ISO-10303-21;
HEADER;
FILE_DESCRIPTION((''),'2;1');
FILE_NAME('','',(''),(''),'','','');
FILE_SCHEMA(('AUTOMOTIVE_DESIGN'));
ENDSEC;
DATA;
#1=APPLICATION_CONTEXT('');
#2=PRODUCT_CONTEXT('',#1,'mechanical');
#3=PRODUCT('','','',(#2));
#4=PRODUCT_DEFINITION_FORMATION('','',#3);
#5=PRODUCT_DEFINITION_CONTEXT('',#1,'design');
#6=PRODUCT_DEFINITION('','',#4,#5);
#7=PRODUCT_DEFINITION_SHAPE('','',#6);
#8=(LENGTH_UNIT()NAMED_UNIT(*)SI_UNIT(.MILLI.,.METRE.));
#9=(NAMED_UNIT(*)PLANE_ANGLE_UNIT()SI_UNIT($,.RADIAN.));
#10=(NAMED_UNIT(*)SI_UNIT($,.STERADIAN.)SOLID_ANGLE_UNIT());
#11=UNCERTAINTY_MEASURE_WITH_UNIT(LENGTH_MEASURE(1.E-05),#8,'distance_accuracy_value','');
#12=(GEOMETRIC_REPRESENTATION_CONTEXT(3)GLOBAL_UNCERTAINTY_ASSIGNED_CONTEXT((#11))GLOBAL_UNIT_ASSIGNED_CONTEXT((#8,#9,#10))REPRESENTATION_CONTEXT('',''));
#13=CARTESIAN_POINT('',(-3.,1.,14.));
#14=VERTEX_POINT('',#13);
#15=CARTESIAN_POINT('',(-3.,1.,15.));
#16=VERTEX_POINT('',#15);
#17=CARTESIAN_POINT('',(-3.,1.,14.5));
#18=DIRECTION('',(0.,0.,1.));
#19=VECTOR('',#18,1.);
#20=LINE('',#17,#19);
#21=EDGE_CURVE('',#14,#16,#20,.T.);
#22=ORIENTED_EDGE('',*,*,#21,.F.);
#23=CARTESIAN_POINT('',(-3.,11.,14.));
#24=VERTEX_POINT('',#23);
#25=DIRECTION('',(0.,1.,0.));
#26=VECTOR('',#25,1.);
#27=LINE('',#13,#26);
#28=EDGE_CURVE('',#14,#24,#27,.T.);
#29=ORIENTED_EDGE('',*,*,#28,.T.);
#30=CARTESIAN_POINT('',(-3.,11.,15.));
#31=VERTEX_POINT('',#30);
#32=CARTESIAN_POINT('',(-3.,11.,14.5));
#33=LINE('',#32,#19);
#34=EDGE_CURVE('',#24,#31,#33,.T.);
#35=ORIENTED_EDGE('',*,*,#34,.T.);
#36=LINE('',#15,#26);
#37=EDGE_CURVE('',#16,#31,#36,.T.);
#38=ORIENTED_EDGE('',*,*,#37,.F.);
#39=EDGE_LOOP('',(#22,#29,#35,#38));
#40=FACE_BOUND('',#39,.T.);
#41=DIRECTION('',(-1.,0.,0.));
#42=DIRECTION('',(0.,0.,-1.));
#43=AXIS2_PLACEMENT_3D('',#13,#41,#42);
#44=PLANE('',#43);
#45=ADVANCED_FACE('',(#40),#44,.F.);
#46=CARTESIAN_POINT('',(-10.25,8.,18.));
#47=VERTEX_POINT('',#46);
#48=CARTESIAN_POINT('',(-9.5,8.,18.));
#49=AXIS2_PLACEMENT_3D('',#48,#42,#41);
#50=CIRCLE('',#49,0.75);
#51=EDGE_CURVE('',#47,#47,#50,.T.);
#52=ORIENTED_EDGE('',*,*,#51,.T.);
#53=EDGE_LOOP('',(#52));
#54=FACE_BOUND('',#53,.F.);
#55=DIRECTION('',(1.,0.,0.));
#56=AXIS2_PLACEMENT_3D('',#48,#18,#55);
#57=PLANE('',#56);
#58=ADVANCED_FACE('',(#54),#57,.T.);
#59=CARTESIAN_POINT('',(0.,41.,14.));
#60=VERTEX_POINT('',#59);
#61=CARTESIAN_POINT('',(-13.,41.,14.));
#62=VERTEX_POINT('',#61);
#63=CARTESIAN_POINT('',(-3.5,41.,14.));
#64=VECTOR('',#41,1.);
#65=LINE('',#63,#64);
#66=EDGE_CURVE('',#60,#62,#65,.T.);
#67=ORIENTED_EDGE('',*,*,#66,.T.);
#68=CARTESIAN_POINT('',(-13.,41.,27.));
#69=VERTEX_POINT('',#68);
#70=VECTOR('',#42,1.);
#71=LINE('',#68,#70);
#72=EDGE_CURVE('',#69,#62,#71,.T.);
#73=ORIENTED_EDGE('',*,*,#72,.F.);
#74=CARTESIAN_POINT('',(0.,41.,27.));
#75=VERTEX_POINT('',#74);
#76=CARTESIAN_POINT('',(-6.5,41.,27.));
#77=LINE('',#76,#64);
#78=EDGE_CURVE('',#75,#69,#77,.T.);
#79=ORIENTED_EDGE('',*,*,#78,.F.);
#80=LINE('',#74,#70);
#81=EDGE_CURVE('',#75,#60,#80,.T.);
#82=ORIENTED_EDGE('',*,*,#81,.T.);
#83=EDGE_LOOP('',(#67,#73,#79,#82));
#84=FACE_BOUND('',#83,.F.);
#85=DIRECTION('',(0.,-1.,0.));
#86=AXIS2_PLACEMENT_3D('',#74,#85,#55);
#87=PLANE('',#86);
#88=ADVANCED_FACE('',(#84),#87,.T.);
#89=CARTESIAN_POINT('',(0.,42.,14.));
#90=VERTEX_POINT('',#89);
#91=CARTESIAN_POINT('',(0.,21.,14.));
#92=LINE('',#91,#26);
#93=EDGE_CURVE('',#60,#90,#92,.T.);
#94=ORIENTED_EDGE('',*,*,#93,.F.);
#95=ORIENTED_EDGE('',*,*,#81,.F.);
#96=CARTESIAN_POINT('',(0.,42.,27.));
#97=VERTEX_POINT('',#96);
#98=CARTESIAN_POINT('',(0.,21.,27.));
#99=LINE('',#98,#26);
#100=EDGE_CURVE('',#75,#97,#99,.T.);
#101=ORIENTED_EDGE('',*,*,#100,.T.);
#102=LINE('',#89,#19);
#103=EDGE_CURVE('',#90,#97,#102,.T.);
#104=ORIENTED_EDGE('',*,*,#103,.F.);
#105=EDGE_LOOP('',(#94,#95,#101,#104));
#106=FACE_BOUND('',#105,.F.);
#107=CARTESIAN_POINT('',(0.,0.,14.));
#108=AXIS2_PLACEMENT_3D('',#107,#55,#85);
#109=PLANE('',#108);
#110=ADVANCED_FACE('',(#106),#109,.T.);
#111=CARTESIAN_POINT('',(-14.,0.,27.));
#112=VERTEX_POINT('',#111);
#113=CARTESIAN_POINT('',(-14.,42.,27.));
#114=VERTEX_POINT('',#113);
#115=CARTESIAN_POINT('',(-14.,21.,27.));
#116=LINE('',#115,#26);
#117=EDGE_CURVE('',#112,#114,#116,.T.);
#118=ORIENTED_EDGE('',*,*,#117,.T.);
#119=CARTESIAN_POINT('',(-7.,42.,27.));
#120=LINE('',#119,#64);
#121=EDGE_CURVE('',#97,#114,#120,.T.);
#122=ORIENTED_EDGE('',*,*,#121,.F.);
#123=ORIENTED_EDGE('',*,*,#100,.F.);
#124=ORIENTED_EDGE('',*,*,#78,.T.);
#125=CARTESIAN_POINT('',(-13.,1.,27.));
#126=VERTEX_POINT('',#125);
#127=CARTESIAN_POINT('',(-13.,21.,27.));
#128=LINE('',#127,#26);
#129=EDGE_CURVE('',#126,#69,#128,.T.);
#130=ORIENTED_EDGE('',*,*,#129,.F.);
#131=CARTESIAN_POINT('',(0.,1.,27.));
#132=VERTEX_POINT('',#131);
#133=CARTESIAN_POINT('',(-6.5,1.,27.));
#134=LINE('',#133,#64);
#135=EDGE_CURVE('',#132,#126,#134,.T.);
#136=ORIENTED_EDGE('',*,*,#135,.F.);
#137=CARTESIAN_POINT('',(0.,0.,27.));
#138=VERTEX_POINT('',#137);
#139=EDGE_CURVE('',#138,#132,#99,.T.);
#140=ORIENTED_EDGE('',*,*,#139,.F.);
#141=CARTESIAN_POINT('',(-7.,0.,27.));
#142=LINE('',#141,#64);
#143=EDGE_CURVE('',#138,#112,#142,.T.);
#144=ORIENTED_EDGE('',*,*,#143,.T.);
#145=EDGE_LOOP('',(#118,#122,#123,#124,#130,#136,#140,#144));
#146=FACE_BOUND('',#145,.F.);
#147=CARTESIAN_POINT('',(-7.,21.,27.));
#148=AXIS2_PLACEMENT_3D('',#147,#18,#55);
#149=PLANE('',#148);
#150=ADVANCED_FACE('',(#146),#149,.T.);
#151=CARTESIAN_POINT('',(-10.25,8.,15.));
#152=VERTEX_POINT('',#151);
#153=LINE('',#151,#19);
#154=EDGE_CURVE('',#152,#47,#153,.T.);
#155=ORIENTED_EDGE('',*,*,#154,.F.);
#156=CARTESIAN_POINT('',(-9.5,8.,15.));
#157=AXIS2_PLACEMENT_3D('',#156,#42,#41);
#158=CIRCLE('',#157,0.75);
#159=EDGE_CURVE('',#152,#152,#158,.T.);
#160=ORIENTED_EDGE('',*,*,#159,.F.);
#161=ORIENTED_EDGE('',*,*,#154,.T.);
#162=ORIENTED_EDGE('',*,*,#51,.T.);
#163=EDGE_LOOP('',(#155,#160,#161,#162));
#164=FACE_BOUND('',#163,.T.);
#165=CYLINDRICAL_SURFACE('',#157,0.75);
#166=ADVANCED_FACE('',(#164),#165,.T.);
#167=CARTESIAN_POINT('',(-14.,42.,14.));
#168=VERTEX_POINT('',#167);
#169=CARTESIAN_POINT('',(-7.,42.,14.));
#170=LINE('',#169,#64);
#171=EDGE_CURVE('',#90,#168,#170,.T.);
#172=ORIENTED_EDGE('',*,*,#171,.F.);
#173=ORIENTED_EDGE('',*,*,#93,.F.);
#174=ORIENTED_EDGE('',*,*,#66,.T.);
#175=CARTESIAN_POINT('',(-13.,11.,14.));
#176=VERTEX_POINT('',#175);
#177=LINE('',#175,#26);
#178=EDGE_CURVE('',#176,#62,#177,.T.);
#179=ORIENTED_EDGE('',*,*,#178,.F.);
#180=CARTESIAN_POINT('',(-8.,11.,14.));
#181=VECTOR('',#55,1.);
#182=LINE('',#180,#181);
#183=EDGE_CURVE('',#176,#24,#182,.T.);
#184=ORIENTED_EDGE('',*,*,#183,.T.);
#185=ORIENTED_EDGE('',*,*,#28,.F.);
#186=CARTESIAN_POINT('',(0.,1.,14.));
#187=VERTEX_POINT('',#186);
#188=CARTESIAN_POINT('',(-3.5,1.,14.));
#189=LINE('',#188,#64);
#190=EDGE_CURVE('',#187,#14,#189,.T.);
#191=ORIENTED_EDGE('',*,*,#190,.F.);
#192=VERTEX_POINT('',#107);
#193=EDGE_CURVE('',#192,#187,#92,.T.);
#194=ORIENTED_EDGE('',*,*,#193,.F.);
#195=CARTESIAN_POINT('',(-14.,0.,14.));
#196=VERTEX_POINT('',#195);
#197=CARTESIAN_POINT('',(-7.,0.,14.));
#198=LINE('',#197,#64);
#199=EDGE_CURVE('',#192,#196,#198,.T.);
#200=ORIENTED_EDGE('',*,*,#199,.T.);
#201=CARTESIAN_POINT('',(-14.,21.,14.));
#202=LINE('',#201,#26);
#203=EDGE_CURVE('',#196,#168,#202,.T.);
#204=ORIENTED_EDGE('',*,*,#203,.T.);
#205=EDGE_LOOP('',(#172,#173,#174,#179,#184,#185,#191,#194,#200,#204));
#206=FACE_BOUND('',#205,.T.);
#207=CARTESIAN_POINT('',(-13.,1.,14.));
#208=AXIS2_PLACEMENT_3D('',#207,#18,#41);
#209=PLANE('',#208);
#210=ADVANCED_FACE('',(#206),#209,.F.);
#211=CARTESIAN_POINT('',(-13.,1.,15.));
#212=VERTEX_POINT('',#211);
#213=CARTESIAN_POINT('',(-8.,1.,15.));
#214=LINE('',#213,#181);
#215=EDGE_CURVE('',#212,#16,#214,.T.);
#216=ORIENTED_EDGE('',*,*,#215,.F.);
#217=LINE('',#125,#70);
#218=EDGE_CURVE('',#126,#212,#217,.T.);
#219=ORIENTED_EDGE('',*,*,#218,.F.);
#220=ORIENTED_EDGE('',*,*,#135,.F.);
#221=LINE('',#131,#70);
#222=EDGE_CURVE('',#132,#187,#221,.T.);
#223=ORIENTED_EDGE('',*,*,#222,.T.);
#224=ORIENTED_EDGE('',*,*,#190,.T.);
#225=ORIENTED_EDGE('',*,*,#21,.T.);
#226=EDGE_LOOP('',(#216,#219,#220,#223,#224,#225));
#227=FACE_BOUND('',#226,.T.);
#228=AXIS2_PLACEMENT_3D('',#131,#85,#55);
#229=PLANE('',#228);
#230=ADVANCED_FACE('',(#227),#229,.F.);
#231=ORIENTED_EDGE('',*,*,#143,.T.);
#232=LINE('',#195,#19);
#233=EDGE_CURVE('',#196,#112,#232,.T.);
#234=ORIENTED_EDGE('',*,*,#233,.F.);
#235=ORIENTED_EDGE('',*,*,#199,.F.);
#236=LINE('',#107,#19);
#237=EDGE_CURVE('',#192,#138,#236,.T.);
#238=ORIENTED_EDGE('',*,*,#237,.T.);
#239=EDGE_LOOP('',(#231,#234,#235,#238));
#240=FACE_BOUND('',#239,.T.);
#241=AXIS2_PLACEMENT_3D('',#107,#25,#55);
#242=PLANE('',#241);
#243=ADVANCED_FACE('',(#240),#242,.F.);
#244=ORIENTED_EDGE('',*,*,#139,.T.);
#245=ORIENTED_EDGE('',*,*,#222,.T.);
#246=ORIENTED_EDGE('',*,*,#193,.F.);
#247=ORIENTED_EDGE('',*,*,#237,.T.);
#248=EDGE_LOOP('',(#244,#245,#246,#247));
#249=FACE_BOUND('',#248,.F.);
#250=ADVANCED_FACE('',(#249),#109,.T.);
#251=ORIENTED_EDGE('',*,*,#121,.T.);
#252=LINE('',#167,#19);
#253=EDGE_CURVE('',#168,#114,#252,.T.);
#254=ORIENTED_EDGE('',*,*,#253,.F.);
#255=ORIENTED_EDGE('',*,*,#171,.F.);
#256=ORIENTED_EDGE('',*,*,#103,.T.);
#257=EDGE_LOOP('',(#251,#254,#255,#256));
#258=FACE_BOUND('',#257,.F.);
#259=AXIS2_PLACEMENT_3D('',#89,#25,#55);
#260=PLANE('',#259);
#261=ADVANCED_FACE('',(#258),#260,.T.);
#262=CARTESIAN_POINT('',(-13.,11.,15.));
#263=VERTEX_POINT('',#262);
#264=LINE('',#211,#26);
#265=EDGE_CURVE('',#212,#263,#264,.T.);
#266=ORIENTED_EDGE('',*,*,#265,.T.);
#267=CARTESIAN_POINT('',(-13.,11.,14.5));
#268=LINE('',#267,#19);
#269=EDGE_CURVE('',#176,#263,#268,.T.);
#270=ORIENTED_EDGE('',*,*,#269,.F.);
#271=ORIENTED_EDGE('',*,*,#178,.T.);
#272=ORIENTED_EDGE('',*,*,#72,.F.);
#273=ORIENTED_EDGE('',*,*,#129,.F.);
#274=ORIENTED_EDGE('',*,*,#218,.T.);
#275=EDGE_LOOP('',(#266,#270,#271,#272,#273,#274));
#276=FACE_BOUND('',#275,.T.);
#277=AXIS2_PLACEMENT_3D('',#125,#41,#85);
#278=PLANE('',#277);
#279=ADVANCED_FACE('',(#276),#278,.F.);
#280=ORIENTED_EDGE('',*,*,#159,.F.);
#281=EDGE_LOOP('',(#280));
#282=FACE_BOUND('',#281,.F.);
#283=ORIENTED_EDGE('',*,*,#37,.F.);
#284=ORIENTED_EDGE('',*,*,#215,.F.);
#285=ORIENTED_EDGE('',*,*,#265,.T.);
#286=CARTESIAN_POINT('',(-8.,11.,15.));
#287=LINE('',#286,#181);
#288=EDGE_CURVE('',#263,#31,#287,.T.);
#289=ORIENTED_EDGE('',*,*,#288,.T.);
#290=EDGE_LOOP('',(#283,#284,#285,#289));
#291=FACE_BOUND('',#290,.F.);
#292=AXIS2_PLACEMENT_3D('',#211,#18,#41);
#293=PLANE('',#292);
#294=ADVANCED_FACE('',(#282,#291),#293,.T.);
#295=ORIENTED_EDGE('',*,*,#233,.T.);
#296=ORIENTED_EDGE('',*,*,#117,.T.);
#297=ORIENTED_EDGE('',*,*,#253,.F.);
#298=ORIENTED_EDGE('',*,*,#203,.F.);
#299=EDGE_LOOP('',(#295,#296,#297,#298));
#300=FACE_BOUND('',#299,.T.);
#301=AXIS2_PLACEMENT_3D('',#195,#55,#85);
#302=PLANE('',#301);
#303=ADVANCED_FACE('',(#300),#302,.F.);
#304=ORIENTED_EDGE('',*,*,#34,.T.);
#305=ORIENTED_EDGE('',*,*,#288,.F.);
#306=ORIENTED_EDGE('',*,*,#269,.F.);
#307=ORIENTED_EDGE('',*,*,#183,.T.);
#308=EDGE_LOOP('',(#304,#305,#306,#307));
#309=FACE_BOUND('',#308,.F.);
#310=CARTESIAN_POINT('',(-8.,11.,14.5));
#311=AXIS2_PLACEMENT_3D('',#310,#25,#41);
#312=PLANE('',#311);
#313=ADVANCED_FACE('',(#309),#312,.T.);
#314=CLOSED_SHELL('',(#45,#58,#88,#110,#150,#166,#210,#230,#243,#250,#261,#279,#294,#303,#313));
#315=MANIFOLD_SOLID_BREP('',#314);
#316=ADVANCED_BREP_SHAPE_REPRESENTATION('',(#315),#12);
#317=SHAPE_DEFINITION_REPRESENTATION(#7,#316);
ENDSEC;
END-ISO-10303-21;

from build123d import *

# Parameters (mm, degrees)
SKETCH008_W     = 14
SKETCH008_H     = 42
PAD002_DEPTH    = 13
SKETCH010_W     = 13
SKETCH010_H     = 40
POCKET006_DEPTH = 13.001
SKETCH011_W     = 10
SKETCH011_H     = 1
PAD004_DEPTH    = 10
SKETCH012_R     = 0.75
PAD005_DEPTH    = 3


with BuildPart() as sensor_case:
    # Sketch008 → Pad002 (new body)
    with BuildSketch(Plane.XY):
        with Locations((7, 21)):
            Rectangle(SKETCH008_W, SKETCH008_H)
    extrude(amount=PAD002_DEPTH)

    # Sketch010 (on Face6 of Pad002) → Pocket006 (cut, through all)
    with BuildSketch(Plane.XY.offset(13)):
        with Locations((6.5, 21)):
            Rectangle(SKETCH010_W, SKETCH010_H)
    extrude(amount=-POCKET006_DEPTH, mode=Mode.SUBTRACT)

    # Sketch011 → Pad004 (join)
    with BuildSketch(Plane(origin=(0, 1, 0), x_dir=(-1, 0, 0), z_dir=(0, 1, 0))):
        with Locations((-8, 0.5)):
            Rectangle(SKETCH011_W, SKETCH011_H)
    extrude(amount=PAD004_DEPTH)

    # Sketch012 (on Face13 of Pad004) → Pad005 (join)
    with BuildSketch(Plane.XY.offset(1)):
        with Locations((9.5, 8)):
            Circle(SKETCH012_R)
    extrude(amount=PAD005_DEPTH)


with BuildPart() as sensor_case_1:
    # Body001 placement: moved
    add(sensor_case.part.moved(Location((0, 0, 14))))


with BuildPart() as mirrored_sensor_case:
    # Part__Mirroring001: instance of Sensor Case
    add(sensor_case_1.part.mirror(Plane(origin=(0, 0, 0), x_dir=(0, -1, 0), z_dir=(1, 0, 0))))


solid = mirrored_sensor_case.part
